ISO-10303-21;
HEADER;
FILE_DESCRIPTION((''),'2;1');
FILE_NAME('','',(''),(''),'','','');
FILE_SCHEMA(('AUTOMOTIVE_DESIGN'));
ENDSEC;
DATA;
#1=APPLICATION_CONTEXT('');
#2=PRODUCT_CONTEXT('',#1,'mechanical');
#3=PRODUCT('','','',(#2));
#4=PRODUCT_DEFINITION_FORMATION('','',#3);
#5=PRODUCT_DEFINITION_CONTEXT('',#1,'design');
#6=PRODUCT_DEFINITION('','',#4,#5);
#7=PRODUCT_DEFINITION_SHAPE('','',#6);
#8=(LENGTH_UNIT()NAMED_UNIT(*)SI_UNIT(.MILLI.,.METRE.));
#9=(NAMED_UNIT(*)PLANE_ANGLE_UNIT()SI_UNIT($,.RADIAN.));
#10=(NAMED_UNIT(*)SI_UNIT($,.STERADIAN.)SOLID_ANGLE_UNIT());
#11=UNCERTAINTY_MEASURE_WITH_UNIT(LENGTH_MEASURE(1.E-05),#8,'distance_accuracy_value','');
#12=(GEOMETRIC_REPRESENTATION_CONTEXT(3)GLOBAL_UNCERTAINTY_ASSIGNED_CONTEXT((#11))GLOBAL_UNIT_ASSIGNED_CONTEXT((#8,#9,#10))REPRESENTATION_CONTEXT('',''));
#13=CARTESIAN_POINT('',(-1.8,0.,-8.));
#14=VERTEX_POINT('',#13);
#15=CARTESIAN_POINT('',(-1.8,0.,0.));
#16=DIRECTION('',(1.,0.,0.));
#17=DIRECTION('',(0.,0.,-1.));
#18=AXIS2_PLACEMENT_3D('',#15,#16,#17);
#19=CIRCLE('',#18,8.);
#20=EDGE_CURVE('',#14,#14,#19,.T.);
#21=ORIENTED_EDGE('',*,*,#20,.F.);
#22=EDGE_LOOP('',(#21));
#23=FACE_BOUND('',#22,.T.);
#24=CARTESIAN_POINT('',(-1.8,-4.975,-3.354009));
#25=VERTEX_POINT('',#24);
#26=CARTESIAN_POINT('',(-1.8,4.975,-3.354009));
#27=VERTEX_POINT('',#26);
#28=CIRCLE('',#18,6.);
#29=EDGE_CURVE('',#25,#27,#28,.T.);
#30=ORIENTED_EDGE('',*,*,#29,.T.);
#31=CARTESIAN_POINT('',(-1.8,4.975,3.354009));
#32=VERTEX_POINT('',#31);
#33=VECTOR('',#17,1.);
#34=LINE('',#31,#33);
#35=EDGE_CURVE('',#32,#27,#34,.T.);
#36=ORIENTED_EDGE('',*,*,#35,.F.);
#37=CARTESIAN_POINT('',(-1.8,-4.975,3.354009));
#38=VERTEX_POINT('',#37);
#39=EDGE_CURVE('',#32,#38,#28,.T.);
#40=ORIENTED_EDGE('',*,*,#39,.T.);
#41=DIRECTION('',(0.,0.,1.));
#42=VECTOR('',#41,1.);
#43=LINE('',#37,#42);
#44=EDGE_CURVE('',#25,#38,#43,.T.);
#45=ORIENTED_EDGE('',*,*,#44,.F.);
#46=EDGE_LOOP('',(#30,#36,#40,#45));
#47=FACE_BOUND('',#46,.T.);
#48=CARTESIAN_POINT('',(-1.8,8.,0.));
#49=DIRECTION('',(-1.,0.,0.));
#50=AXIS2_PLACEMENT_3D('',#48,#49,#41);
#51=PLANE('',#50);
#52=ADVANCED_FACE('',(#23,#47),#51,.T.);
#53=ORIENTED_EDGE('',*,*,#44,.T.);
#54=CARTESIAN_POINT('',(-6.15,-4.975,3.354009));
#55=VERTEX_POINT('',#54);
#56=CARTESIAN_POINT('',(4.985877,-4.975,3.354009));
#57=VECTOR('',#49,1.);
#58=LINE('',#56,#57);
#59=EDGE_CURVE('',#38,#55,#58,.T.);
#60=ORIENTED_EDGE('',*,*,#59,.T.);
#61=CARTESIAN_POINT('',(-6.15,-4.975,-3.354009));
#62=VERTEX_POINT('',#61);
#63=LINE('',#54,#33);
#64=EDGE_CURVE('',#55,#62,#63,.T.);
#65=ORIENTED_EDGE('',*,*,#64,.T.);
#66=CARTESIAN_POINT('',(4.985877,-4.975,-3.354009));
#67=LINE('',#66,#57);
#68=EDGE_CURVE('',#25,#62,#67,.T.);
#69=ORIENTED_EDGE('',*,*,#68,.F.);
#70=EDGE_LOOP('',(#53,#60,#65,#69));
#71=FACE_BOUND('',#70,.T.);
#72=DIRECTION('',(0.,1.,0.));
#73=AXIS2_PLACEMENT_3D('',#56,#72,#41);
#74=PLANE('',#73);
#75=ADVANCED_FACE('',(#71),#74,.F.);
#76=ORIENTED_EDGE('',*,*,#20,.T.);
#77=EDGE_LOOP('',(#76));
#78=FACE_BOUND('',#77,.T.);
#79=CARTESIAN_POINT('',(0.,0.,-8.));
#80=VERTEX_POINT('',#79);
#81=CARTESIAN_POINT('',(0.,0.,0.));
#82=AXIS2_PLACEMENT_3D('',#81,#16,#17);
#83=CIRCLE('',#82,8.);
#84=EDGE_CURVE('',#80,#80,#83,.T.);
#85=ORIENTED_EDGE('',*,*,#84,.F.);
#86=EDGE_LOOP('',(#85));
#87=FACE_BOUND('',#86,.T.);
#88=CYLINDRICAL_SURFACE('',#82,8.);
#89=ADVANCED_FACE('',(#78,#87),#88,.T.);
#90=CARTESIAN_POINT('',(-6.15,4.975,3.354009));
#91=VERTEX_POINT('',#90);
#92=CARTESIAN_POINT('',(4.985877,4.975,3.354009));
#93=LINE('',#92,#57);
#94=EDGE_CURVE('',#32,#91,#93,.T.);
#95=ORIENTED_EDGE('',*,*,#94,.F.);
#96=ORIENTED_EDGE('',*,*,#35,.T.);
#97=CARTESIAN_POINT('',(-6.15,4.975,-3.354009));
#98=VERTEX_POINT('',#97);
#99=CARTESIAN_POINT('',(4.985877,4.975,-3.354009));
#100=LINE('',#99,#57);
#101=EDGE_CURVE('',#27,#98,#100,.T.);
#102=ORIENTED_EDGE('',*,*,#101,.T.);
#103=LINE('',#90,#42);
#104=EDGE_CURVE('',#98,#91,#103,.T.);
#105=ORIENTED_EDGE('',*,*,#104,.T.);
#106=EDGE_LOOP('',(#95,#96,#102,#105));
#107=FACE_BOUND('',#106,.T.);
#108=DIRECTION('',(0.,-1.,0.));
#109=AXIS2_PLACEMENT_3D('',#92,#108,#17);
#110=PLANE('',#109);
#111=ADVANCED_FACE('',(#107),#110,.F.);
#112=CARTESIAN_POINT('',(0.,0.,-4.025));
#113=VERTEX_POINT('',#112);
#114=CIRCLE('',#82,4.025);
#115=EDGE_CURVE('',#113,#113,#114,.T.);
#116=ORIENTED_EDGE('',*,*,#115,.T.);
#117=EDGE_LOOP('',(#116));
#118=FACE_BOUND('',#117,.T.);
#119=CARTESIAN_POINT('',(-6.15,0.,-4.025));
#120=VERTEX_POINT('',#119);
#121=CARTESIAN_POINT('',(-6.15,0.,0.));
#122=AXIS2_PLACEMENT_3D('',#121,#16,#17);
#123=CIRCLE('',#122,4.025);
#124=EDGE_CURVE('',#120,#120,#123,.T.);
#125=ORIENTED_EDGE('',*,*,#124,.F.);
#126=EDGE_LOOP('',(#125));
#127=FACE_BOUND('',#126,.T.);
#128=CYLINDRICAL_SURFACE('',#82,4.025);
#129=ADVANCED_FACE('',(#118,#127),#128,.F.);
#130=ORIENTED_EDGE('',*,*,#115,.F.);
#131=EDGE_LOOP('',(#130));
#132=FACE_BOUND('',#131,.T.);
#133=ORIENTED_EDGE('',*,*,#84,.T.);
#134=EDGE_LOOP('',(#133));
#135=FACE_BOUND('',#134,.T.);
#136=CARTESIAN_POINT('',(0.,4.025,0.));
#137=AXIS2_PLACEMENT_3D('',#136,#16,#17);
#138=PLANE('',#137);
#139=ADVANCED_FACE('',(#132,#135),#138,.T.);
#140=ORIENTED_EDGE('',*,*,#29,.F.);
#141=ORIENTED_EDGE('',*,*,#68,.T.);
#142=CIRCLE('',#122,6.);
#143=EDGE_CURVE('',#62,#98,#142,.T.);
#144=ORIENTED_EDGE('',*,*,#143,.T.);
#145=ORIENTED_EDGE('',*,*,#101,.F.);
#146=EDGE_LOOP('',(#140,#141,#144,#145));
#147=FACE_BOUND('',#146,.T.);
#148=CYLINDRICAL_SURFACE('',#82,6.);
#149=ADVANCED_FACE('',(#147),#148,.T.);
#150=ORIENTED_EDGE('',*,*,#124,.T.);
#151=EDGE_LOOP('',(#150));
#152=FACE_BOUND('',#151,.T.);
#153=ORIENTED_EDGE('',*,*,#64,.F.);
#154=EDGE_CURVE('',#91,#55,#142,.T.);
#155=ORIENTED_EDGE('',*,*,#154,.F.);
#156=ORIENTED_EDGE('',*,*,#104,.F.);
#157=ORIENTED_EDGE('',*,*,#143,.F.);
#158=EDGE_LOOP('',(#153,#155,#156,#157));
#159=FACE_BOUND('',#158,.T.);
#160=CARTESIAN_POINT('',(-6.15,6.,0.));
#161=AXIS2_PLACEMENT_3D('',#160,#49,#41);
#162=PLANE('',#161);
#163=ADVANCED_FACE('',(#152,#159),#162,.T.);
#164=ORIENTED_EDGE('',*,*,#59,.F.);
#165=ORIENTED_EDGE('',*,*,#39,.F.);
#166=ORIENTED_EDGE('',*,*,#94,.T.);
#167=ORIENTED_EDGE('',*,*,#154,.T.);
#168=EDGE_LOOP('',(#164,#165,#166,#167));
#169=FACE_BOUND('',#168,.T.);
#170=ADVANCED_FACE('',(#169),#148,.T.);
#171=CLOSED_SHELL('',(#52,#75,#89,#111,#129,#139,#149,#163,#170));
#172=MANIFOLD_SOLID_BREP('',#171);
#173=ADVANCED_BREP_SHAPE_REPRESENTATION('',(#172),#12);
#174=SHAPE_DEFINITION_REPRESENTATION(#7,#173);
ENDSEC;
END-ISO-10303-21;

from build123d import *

# Parameters (mm, degrees)
CORTAR_EXTRUIR1_DEPTH = 4.35


with BuildPart() as part:
    # Croquis1 → Revolución1 (revolve)
    with BuildSketch(Plane(origin=(0, 0, 0), x_dir=(0, 1, 0), z_dir=(0, 0, 1)), mode=Mode.PRIVATE) as revoluci_n1_sk:
        Polygon((4.025, 6.15), (4.025, 0), (8, 0), (8, 1.8), (6, 1.8), (6, 6.15), align=None)
    revolve(revoluci_n1_sk.sketch.rotate(Axis((0, 0, 0), (-1, 0, 0)), 90), axis=Axis((0, 0, 0), (-1, 0, 0)))

    # Croquis2 → Cortar-Extruir1 (cut)
    with BuildSketch(Plane(origin=(-6.15, 0, 0), x_dir=(0, -1, 0), z_dir=(-1, 0, 0))):
        with BuildLine():
            Line((-4.975, 3.354008795), (-4.975, -3.354008795))
            ThreePointArc((-4.975, -3.354008795), (-6, 0), (-4.975, 3.354008795))
        make_face()
        with BuildLine():
            Line((4.975, 3.354008795), (4.975, -3.354008795))
            ThreePointArc((4.975, -3.354008795), (6, 0), (4.975, 3.354008795))
        make_face()
    extrude(amount=-CORTAR_EXTRUIR1_DEPTH, mode=Mode.SUBTRACT)


solid = part.part
